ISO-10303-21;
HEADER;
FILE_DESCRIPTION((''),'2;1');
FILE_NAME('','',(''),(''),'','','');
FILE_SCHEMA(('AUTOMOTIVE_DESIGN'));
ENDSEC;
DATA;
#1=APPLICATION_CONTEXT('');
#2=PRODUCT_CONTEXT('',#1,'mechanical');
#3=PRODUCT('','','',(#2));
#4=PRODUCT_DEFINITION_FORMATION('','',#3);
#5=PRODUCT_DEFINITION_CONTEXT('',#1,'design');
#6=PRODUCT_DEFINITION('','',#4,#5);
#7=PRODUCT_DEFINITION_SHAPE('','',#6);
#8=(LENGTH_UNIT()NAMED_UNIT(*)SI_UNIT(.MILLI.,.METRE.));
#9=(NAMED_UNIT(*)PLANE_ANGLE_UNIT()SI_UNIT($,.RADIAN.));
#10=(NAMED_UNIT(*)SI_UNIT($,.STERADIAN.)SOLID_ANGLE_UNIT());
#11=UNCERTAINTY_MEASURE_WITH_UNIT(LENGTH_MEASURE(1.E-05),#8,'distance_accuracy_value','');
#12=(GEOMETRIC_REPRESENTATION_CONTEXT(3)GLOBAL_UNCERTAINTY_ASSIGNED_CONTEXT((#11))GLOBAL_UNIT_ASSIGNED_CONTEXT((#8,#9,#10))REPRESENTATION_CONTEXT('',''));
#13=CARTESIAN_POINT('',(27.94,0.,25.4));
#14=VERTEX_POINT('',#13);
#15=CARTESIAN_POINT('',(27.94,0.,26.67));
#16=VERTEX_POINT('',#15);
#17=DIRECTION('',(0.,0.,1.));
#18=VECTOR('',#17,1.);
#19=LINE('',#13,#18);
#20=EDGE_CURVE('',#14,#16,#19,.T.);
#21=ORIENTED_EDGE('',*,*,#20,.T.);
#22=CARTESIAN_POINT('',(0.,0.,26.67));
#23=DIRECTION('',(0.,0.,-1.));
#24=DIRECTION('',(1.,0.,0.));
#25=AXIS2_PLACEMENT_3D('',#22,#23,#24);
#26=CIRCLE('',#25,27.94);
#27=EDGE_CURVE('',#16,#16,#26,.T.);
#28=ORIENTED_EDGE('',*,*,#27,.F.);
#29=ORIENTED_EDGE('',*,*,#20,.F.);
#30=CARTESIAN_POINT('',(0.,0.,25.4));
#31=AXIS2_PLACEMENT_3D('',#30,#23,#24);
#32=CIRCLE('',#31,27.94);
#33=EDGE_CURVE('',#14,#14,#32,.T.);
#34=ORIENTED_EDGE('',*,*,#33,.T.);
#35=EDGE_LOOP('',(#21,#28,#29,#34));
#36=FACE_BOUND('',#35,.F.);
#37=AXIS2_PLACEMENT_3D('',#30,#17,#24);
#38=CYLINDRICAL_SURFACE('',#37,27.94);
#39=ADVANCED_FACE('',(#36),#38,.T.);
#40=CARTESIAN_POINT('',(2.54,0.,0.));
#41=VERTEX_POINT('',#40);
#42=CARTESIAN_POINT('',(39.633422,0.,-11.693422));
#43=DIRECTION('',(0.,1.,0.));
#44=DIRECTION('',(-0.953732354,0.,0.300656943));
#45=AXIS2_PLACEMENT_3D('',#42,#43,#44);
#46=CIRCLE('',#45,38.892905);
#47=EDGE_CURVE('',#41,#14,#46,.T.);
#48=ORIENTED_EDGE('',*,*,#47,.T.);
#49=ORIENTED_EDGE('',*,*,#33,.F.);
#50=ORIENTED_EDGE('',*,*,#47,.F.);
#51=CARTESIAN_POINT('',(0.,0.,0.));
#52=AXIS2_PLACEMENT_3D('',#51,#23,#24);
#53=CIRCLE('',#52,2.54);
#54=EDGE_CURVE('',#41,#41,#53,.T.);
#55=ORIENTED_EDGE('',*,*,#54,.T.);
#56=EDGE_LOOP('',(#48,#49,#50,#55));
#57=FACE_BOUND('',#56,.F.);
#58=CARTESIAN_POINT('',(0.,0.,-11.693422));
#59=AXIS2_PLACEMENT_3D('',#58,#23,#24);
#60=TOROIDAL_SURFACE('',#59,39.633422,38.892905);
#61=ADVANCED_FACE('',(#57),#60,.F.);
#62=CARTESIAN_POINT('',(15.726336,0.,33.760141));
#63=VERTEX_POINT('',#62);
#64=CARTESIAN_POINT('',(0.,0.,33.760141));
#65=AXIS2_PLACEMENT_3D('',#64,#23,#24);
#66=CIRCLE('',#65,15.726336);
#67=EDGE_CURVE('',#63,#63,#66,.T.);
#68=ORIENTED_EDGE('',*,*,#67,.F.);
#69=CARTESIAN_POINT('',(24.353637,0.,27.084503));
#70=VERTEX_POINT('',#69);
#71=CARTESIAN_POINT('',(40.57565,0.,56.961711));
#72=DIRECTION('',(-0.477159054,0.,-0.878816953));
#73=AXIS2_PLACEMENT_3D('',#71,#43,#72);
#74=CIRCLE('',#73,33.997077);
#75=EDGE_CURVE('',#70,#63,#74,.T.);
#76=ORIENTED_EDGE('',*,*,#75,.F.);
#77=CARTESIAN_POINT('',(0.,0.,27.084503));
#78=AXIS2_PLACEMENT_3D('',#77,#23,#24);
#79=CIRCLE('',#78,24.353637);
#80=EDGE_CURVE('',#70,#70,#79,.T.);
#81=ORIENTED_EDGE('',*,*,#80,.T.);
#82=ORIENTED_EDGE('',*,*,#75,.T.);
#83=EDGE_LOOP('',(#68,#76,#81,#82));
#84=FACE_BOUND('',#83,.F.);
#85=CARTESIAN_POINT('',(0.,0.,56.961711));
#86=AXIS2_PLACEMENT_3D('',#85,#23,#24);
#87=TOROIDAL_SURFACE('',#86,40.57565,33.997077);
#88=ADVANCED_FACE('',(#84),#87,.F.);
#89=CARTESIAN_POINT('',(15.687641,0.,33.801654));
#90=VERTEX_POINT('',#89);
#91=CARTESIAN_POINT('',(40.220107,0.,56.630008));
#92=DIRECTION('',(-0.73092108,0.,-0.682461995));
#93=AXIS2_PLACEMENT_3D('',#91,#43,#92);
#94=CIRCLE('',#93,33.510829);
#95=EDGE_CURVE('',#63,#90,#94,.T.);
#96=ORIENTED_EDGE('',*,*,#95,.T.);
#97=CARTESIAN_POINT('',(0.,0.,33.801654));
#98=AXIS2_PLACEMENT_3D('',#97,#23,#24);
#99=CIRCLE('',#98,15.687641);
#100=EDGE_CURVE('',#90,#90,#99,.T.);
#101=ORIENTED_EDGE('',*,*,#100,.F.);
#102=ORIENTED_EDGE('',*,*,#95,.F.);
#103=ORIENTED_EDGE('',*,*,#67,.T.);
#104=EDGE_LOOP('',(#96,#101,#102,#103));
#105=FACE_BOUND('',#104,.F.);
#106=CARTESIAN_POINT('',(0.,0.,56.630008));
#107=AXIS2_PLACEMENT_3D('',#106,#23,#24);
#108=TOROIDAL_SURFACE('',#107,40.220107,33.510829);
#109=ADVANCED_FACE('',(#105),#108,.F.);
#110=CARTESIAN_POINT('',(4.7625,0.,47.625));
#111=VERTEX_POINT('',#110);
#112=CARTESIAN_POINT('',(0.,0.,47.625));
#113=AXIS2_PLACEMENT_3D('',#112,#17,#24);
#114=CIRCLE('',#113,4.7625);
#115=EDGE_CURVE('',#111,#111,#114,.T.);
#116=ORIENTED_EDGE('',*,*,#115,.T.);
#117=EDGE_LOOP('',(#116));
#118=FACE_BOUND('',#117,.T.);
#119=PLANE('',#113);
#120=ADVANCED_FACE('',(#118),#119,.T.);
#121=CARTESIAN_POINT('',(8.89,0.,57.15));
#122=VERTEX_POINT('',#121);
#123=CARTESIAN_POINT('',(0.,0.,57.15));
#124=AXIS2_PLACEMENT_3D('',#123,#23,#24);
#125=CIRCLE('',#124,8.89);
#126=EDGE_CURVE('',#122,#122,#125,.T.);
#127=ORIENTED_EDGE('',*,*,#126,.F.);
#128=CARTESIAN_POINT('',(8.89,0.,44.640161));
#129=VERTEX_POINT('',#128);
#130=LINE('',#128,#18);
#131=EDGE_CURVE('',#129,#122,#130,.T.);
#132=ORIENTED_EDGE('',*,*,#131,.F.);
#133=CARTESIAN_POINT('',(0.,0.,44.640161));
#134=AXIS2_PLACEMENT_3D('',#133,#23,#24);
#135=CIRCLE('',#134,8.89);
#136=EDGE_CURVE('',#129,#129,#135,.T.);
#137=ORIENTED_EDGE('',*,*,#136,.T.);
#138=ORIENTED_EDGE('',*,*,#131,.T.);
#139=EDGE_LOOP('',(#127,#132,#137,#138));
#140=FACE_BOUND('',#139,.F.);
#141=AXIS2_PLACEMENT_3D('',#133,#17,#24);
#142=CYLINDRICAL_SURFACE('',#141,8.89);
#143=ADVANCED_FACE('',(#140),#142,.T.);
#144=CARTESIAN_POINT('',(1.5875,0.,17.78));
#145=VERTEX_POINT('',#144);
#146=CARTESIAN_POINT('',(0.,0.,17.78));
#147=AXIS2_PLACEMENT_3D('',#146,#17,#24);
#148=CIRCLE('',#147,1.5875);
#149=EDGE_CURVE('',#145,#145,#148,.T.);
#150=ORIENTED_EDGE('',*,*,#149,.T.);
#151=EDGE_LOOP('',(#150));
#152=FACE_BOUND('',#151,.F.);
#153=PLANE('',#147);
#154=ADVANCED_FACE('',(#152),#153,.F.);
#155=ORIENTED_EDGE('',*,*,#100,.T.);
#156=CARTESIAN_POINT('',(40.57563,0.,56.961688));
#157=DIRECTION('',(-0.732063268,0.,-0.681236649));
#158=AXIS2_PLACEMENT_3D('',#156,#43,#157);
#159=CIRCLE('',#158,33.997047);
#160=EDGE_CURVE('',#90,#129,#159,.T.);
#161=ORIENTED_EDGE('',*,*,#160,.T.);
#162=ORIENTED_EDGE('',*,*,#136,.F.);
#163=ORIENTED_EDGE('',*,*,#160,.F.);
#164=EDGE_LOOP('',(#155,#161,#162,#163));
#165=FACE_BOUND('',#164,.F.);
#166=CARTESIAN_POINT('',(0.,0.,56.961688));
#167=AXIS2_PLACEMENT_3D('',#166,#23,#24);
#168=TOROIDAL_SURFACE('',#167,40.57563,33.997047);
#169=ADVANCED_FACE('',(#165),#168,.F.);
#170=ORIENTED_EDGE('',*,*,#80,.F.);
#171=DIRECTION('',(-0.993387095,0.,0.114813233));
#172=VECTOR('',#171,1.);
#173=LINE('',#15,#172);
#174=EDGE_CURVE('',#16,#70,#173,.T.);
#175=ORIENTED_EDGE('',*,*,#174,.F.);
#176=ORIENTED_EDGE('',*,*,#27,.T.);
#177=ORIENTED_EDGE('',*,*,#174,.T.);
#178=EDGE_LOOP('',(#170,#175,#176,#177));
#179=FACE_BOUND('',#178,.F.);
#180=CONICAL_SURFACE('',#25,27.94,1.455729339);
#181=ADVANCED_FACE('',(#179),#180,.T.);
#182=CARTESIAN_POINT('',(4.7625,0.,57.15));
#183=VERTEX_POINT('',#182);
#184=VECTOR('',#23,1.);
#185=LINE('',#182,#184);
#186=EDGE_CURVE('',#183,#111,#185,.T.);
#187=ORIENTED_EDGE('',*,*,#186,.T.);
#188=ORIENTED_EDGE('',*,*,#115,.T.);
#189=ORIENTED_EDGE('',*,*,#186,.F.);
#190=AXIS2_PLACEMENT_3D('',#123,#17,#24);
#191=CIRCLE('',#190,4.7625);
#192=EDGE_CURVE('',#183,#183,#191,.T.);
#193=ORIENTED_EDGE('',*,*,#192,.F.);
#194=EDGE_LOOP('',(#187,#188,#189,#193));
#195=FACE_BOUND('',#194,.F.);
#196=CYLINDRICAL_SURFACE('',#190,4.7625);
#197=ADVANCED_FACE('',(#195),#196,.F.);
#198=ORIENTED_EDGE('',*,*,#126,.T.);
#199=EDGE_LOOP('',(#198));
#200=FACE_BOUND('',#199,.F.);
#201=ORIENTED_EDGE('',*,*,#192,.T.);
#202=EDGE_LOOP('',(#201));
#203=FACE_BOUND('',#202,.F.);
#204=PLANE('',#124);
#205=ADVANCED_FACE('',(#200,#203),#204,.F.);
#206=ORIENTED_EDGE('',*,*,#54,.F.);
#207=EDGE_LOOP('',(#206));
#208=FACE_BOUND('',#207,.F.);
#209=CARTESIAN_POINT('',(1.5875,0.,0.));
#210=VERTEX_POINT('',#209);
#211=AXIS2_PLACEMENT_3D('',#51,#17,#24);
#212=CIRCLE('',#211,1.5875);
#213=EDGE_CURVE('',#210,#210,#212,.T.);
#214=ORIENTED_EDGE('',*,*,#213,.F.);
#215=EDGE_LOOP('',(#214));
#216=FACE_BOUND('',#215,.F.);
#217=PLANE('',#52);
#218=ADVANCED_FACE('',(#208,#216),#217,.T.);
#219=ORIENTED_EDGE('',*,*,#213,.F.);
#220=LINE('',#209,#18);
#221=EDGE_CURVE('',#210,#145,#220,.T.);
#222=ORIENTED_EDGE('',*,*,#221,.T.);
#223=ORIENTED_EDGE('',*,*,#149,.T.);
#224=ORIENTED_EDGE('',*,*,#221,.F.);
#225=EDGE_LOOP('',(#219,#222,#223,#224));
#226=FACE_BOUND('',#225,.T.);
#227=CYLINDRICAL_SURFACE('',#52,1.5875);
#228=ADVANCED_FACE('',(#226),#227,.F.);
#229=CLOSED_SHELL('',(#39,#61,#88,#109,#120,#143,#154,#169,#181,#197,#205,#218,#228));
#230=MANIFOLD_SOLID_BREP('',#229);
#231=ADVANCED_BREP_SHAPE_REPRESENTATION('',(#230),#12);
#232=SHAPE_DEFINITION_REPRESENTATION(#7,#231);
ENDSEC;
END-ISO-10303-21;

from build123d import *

# Parameters (mm, degrees)
F2_R     = 1.5875
F4_DEPTH = 17.78
F3_R     = 4.7625
F5_DEPTH = 9.525


with BuildPart() as f1:
    # F0 (on Front) → F1 (revolve)
    with BuildSketch(Plane.XZ):
        with BuildLine():
            ThreePointArc((2.54, 0), (12.131985, 15.808015), (27.94, 25.4))
            Line((27.94, 25.4), (27.94, 26.67))
            Line((27.94, 26.67), (24.353637, 27.084503))
            ThreePointArc((24.353637, 27.084503), (19.770494, 30.074042), (15.726336, 33.760141))
            ThreePointArc((15.726336, 33.760141), (15.70698, 33.780889), (15.687641, 33.801654))
            ThreePointArc((15.687641, 33.801654), (11.774382, 38.898264), (8.89, 44.640161))
            Line((8.89, 44.640161), (8.89, 57.15))
            Line((8.89, 57.15), (0, 57.15))
            Line((0, 57.15), (0, 0))
            Line((0, 0), (2.54, 0))
        make_face()
    revolve(axis=Axis((0, 0, 28.575), (0, 0, -1)))

    # F2 (on Top) → F4 (cut)
    with BuildSketch(Plane.XY):
        Circle(F2_R)
    extrude(amount=F4_DEPTH, mode=Mode.SUBTRACT)

    # F3 (on face) → F5 (cut)
    with BuildSketch(Plane.XY.offset(57.15)):
        Circle(F3_R)
    extrude(amount=-F5_DEPTH, mode=Mode.SUBTRACT)


solid = f1.part
